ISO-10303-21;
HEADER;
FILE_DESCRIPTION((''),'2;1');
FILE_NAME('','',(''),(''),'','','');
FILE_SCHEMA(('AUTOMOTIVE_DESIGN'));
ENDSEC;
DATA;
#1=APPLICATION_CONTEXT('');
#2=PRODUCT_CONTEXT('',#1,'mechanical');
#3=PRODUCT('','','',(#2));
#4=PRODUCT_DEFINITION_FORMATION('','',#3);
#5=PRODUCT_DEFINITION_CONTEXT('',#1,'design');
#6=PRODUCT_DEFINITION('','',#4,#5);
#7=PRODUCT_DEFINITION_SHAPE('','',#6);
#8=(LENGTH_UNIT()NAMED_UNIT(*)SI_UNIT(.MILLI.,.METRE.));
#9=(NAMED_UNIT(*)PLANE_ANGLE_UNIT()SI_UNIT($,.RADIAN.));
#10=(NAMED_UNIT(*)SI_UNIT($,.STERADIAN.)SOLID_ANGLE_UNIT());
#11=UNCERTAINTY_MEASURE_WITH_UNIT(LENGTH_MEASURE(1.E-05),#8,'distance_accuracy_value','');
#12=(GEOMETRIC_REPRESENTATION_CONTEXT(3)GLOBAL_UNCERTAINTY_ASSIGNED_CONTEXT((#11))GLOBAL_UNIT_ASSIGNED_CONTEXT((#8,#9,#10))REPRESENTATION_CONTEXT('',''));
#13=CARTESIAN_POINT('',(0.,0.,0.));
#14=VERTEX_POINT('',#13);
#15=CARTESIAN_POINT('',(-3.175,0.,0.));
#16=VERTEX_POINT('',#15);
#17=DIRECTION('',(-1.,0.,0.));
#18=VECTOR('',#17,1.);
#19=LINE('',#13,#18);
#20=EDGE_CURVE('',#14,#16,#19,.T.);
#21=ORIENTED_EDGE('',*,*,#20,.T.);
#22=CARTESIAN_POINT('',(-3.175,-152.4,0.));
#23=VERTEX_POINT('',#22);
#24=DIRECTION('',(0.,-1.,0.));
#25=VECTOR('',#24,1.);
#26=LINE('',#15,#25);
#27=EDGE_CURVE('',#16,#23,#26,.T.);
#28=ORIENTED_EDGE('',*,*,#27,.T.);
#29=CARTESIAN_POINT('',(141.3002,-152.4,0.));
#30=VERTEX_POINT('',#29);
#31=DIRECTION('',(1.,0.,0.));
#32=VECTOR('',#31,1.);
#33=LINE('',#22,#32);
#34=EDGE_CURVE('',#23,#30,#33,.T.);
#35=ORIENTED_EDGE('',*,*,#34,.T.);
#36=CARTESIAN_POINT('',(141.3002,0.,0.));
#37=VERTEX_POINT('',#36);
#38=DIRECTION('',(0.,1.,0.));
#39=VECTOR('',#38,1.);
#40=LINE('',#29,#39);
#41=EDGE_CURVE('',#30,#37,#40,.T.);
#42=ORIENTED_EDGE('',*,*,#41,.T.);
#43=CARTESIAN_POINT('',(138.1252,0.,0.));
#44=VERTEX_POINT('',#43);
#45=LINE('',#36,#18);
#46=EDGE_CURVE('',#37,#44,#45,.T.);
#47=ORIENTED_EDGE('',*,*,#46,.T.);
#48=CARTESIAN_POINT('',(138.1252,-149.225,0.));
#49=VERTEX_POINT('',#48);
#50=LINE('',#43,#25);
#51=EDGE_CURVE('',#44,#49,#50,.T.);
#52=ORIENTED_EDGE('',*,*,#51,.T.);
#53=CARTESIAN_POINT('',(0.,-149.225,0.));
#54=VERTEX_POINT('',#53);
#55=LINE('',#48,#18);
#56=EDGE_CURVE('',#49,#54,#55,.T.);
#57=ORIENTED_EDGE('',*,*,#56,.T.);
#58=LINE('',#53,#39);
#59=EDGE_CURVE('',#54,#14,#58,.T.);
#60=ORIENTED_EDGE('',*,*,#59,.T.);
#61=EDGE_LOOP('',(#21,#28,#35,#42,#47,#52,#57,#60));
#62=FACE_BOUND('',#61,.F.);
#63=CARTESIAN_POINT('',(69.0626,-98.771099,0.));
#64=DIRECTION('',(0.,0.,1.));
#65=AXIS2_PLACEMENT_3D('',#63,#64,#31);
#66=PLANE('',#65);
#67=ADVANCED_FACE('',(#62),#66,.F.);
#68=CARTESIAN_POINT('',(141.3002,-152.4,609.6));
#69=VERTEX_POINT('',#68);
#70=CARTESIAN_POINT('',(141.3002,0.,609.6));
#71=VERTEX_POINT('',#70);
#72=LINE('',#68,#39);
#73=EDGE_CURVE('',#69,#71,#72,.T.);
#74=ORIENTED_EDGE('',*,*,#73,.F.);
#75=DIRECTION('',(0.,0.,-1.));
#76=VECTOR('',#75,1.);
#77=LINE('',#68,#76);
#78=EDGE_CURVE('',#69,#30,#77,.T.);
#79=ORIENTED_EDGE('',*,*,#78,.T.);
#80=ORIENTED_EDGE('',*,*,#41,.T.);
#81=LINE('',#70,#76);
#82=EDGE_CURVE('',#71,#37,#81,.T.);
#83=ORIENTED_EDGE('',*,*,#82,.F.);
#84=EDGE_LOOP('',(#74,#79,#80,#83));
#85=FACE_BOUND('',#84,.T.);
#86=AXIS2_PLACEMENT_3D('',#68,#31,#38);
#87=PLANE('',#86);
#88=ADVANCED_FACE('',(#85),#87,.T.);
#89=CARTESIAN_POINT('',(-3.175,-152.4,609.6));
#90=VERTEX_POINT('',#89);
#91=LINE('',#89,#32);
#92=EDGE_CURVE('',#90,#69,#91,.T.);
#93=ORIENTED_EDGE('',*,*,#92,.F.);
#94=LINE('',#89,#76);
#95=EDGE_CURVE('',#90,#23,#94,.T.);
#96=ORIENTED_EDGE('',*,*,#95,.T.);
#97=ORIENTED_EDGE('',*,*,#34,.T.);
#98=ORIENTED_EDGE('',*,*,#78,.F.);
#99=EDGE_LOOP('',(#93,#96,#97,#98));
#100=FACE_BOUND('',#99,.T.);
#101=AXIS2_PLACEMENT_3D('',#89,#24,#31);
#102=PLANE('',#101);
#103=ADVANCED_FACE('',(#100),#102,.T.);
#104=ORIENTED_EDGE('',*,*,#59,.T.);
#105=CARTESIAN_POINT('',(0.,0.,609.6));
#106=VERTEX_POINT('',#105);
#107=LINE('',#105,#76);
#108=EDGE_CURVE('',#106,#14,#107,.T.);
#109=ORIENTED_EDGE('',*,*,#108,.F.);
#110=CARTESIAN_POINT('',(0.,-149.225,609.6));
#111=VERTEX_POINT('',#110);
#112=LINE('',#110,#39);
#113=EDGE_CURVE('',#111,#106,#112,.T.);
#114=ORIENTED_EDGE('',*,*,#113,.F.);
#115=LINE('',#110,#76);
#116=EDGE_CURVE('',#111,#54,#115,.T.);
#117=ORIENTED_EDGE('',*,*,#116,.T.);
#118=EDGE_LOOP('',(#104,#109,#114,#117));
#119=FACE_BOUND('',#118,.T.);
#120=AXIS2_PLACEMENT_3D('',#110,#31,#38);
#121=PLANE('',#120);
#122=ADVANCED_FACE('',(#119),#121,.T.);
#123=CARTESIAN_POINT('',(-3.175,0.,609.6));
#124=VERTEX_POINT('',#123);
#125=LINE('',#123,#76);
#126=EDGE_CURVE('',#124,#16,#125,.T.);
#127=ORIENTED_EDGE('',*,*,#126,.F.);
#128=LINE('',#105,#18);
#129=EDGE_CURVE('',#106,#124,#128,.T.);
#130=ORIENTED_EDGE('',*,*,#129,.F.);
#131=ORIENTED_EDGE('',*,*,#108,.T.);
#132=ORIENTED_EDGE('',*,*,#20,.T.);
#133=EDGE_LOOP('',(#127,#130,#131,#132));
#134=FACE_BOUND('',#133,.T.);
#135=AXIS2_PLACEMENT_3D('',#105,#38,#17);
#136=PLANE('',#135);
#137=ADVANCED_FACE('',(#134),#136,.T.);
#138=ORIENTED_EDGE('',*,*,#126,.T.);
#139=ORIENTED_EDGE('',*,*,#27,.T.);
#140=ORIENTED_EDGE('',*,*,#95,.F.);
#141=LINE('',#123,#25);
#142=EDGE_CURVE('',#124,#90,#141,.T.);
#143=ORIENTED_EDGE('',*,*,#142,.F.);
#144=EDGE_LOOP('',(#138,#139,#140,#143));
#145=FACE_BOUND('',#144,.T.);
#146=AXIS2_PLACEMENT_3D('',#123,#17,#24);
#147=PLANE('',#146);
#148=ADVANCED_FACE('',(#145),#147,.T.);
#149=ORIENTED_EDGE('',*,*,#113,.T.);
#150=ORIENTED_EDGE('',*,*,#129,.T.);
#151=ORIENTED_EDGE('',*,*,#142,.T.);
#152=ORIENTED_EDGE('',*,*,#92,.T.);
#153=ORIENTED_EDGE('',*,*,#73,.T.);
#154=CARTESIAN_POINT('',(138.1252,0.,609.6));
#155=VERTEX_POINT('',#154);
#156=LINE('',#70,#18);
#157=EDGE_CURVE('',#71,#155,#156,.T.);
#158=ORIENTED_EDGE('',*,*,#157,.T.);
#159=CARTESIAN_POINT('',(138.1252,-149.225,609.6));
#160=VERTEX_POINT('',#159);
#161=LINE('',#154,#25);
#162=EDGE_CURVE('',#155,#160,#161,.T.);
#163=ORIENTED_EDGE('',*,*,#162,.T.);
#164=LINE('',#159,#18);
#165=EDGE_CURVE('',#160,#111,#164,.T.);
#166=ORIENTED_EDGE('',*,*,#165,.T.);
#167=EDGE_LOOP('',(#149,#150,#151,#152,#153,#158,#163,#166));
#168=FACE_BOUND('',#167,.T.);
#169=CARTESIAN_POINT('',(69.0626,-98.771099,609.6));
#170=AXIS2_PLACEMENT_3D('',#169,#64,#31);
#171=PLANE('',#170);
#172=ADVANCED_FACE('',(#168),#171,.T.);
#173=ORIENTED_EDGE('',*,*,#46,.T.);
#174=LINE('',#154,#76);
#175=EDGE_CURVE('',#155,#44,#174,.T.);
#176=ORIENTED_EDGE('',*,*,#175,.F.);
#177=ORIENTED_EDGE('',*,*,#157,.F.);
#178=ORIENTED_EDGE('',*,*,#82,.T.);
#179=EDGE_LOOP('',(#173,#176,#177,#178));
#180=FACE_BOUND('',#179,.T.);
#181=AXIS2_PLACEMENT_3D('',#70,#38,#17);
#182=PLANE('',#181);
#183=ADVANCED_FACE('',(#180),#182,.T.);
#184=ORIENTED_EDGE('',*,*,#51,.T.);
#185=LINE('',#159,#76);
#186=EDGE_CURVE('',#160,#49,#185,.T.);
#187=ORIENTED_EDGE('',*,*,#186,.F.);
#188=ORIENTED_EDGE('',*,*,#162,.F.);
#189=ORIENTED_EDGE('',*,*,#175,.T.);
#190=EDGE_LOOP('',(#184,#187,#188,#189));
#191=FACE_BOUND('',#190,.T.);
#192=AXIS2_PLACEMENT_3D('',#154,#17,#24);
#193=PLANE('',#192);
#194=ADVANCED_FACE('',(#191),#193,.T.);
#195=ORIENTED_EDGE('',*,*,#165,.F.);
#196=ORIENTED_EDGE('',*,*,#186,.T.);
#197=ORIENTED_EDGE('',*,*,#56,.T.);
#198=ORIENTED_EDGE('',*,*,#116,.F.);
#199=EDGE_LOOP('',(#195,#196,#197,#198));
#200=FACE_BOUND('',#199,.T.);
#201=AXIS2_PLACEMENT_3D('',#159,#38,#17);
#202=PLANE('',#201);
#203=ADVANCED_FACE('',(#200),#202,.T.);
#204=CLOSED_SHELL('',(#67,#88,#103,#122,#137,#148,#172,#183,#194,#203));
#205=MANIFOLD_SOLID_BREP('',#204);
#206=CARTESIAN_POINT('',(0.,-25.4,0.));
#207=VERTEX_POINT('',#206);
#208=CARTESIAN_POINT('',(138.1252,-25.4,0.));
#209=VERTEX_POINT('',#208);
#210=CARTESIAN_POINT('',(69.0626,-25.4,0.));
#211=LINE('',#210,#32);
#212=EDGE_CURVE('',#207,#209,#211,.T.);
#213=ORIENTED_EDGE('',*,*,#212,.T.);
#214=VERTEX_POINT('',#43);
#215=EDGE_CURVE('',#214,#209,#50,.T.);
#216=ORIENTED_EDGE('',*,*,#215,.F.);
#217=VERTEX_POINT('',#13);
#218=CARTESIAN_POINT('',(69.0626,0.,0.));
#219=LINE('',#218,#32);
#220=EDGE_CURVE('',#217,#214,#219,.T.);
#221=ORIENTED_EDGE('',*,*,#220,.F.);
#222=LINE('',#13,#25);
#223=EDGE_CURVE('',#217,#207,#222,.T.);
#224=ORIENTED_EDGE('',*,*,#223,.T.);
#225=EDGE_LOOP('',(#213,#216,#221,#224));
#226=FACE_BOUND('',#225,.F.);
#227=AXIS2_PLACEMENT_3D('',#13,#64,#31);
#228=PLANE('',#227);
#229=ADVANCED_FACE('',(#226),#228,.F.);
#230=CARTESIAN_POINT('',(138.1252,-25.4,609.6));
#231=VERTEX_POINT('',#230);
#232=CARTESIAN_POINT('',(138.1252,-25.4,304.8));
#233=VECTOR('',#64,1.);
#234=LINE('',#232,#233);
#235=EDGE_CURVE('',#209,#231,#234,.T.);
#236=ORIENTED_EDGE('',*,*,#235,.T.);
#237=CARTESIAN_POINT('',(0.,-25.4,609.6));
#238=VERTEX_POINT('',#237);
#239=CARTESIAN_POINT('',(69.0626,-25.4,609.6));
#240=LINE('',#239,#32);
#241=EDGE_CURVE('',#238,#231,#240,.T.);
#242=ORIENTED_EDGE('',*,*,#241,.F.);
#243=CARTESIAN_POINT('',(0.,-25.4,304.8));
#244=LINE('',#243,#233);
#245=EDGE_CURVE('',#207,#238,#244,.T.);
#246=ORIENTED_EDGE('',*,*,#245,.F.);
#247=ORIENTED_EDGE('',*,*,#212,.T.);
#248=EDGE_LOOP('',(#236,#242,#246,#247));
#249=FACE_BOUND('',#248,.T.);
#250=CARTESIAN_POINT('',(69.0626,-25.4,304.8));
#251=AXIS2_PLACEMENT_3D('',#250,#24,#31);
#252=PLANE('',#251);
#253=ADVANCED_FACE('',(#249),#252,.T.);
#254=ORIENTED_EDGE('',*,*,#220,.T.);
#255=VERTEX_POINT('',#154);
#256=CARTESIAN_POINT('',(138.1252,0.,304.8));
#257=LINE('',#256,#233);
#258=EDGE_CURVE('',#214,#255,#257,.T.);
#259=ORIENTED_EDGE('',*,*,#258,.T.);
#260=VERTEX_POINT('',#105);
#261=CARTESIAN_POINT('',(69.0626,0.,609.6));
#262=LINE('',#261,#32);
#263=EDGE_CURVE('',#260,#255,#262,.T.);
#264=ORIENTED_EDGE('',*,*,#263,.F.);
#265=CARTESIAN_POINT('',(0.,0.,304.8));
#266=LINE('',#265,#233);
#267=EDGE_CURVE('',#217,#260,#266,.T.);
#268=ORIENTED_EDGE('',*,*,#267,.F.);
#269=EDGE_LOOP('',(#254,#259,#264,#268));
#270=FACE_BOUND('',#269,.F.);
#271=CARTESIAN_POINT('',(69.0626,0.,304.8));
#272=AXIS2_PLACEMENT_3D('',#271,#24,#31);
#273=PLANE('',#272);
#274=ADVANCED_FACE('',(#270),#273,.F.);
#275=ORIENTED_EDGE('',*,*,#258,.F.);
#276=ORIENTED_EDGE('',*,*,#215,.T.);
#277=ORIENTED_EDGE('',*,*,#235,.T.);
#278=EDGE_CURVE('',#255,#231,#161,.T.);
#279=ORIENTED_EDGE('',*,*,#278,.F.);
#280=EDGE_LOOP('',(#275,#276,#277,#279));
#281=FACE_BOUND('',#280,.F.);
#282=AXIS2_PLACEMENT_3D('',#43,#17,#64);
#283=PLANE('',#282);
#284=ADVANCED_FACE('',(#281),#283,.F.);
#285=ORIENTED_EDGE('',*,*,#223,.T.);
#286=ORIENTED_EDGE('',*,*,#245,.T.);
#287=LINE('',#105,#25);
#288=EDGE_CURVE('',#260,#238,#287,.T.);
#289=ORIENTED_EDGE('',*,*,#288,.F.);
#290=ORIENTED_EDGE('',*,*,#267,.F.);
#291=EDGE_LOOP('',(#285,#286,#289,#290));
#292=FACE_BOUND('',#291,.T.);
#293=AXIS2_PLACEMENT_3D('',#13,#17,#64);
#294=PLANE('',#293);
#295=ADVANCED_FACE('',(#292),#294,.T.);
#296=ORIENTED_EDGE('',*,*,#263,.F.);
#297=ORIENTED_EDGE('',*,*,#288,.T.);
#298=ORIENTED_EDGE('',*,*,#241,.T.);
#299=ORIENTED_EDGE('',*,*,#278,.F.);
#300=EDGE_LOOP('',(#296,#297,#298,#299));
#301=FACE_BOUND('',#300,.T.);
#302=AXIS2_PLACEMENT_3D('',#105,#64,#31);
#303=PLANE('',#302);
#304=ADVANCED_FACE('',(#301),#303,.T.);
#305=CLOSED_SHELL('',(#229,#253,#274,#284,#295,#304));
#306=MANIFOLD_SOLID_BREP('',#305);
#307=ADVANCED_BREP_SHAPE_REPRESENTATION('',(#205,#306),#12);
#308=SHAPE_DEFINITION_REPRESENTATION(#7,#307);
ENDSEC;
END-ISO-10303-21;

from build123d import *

# Parameters (mm, degrees)
F0_W     = 138.1252
F0_H     = 609.6
F1_DEPTH = 25.4
F3_DEPTH = 609.6


with BuildPart() as f1:
    # F0 (on Front) → F1 (new body)
    with BuildSketch(Plane.XZ):
        with Locations((69.0626, 304.8)):
            Rectangle(F0_W, F0_H)
    extrude(amount=F1_DEPTH)


with BuildPart() as f3:
    # F2 (on face) → F3 (new body)
    with BuildSketch(Plane.XY.offset(609.6)):
        Polygon((0, -149.225), (0, 0), (-3.175, 0), (-3.175, -152.4), (141.3002, -152.4), (141.3002, 0), (138.1252, 0), (138.1252, -149.225), align=None)
    extrude(amount=-F3_DEPTH)


solid = Compound([f1.part, f3.part])
